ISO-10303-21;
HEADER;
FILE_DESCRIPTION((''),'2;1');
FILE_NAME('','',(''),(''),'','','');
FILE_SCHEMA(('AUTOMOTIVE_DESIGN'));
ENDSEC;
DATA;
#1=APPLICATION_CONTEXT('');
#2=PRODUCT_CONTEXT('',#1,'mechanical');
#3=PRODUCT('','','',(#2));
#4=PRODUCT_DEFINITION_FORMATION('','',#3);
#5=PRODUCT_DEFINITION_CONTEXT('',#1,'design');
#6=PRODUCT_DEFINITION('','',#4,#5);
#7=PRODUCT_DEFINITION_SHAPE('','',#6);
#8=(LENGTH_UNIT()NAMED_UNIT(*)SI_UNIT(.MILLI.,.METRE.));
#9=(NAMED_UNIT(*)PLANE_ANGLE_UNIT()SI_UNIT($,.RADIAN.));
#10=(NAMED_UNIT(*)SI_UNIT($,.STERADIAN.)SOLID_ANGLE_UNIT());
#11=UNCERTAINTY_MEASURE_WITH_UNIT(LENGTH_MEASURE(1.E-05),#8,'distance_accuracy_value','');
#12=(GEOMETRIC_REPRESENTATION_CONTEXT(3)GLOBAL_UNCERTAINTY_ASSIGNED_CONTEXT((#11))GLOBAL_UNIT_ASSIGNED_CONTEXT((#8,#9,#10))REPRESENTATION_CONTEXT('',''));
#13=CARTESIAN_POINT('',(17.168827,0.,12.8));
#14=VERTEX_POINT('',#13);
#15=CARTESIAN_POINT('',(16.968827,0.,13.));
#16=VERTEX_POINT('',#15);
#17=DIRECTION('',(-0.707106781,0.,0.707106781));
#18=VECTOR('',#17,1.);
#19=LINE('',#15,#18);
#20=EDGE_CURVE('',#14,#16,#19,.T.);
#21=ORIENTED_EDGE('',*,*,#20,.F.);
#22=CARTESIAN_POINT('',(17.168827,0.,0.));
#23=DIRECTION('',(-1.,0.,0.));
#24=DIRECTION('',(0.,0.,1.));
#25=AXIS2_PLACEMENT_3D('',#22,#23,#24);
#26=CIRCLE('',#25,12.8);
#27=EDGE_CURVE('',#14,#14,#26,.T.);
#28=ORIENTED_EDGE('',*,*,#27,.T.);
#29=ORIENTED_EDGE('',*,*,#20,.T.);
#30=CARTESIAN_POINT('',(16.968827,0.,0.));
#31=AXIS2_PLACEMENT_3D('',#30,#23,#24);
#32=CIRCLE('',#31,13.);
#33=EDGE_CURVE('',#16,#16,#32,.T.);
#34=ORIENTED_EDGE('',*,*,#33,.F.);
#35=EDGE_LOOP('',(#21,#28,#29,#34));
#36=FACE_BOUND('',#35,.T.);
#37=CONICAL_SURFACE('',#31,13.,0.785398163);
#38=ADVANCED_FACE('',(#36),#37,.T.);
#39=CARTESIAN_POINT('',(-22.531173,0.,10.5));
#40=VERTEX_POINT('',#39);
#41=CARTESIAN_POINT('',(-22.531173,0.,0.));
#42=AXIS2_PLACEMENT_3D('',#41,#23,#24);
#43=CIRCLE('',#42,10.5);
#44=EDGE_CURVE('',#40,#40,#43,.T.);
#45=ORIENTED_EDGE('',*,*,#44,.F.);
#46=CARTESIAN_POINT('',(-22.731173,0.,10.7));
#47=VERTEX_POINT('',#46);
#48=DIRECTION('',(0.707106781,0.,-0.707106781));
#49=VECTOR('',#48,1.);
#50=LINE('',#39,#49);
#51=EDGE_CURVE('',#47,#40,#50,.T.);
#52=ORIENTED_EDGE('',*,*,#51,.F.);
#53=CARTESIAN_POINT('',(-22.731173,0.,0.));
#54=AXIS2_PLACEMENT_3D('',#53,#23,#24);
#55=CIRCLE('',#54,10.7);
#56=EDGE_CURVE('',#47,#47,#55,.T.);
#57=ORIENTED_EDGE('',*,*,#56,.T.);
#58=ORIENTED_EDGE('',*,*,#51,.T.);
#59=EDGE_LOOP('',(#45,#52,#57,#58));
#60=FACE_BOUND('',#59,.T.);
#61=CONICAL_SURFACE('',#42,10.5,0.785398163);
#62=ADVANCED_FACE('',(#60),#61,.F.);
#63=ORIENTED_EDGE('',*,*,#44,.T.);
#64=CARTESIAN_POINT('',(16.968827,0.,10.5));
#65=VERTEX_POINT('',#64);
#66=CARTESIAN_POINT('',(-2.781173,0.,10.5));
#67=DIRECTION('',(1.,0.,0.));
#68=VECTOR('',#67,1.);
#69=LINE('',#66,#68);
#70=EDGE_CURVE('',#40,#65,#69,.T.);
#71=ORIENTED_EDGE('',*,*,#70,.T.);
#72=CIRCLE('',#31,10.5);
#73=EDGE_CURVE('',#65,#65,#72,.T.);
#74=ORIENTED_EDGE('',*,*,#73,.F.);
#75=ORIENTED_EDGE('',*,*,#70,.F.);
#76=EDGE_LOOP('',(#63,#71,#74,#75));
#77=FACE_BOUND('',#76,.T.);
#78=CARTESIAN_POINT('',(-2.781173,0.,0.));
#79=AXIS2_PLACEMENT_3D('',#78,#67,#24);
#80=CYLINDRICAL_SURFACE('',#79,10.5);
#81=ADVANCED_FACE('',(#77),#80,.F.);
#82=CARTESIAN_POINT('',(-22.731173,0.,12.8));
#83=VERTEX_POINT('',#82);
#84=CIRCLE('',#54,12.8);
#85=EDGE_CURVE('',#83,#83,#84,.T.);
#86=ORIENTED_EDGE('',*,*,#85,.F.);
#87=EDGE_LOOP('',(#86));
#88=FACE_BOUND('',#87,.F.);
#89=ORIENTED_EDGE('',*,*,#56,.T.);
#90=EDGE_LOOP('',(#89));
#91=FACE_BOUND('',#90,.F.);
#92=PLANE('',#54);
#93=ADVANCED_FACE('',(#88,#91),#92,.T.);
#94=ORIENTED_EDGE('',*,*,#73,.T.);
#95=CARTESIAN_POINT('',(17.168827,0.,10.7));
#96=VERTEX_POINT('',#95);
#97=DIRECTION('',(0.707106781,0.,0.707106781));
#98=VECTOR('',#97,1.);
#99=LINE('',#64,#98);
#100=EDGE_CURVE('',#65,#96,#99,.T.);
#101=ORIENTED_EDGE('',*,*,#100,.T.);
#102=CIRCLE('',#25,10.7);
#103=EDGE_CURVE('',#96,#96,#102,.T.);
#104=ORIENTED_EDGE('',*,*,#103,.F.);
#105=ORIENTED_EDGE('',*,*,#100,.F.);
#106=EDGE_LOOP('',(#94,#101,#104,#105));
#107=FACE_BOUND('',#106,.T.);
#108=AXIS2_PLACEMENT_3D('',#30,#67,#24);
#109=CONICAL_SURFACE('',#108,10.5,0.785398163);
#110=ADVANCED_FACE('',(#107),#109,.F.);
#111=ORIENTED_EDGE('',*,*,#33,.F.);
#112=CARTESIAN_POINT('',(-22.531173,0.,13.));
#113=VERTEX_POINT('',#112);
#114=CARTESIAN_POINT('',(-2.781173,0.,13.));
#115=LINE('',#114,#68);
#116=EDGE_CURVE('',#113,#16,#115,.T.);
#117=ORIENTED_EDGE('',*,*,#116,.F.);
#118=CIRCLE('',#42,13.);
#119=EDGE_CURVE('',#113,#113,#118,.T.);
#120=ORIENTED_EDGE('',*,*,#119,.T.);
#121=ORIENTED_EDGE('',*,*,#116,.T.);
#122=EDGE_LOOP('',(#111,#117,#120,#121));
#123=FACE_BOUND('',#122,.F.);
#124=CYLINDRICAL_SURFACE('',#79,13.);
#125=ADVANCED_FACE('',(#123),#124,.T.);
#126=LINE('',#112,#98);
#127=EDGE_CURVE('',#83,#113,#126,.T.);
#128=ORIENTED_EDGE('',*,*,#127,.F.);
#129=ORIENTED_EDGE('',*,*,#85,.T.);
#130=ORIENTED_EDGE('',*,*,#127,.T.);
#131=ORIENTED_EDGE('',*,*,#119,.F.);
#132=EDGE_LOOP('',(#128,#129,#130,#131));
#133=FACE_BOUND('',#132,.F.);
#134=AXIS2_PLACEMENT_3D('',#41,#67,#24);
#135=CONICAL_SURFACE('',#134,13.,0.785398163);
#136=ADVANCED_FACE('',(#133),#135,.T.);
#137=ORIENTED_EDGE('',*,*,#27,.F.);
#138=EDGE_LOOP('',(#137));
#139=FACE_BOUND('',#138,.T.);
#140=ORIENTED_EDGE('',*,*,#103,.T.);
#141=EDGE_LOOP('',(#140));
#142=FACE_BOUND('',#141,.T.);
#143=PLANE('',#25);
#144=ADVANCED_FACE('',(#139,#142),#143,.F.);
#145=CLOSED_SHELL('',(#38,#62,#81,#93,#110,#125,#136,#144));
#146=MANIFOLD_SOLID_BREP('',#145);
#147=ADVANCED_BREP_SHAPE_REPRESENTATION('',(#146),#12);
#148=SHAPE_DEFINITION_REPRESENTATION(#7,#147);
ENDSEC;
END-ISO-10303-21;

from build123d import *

# Parameters (mm, degrees)
F0_W    = 39.9
F0_H    = 2.5
F2_SIZE = 0.2


with BuildPart() as f1:
    # F0 (on Front) → F1 (revolve)
    with BuildSketch(Plane.XZ):
        with Locations((-2.781173, 11.75)):
            Rectangle(F0_W, F0_H)
    revolve(axis=Axis((-4.80183, 0, 0), (-1, 0, 0)))

    # F2
    f2_edges = [f1.edges().sort_by_distance(p)[0] for p in [
        (17.168827, 0, -13),
        (17.168827, 0, -10.5),
        (-22.731173, 0, -10.5),
        (-22.731173, 0, -13),
    ]]
    chamfer(f2_edges, length=F2_SIZE)


solid = f1.part
